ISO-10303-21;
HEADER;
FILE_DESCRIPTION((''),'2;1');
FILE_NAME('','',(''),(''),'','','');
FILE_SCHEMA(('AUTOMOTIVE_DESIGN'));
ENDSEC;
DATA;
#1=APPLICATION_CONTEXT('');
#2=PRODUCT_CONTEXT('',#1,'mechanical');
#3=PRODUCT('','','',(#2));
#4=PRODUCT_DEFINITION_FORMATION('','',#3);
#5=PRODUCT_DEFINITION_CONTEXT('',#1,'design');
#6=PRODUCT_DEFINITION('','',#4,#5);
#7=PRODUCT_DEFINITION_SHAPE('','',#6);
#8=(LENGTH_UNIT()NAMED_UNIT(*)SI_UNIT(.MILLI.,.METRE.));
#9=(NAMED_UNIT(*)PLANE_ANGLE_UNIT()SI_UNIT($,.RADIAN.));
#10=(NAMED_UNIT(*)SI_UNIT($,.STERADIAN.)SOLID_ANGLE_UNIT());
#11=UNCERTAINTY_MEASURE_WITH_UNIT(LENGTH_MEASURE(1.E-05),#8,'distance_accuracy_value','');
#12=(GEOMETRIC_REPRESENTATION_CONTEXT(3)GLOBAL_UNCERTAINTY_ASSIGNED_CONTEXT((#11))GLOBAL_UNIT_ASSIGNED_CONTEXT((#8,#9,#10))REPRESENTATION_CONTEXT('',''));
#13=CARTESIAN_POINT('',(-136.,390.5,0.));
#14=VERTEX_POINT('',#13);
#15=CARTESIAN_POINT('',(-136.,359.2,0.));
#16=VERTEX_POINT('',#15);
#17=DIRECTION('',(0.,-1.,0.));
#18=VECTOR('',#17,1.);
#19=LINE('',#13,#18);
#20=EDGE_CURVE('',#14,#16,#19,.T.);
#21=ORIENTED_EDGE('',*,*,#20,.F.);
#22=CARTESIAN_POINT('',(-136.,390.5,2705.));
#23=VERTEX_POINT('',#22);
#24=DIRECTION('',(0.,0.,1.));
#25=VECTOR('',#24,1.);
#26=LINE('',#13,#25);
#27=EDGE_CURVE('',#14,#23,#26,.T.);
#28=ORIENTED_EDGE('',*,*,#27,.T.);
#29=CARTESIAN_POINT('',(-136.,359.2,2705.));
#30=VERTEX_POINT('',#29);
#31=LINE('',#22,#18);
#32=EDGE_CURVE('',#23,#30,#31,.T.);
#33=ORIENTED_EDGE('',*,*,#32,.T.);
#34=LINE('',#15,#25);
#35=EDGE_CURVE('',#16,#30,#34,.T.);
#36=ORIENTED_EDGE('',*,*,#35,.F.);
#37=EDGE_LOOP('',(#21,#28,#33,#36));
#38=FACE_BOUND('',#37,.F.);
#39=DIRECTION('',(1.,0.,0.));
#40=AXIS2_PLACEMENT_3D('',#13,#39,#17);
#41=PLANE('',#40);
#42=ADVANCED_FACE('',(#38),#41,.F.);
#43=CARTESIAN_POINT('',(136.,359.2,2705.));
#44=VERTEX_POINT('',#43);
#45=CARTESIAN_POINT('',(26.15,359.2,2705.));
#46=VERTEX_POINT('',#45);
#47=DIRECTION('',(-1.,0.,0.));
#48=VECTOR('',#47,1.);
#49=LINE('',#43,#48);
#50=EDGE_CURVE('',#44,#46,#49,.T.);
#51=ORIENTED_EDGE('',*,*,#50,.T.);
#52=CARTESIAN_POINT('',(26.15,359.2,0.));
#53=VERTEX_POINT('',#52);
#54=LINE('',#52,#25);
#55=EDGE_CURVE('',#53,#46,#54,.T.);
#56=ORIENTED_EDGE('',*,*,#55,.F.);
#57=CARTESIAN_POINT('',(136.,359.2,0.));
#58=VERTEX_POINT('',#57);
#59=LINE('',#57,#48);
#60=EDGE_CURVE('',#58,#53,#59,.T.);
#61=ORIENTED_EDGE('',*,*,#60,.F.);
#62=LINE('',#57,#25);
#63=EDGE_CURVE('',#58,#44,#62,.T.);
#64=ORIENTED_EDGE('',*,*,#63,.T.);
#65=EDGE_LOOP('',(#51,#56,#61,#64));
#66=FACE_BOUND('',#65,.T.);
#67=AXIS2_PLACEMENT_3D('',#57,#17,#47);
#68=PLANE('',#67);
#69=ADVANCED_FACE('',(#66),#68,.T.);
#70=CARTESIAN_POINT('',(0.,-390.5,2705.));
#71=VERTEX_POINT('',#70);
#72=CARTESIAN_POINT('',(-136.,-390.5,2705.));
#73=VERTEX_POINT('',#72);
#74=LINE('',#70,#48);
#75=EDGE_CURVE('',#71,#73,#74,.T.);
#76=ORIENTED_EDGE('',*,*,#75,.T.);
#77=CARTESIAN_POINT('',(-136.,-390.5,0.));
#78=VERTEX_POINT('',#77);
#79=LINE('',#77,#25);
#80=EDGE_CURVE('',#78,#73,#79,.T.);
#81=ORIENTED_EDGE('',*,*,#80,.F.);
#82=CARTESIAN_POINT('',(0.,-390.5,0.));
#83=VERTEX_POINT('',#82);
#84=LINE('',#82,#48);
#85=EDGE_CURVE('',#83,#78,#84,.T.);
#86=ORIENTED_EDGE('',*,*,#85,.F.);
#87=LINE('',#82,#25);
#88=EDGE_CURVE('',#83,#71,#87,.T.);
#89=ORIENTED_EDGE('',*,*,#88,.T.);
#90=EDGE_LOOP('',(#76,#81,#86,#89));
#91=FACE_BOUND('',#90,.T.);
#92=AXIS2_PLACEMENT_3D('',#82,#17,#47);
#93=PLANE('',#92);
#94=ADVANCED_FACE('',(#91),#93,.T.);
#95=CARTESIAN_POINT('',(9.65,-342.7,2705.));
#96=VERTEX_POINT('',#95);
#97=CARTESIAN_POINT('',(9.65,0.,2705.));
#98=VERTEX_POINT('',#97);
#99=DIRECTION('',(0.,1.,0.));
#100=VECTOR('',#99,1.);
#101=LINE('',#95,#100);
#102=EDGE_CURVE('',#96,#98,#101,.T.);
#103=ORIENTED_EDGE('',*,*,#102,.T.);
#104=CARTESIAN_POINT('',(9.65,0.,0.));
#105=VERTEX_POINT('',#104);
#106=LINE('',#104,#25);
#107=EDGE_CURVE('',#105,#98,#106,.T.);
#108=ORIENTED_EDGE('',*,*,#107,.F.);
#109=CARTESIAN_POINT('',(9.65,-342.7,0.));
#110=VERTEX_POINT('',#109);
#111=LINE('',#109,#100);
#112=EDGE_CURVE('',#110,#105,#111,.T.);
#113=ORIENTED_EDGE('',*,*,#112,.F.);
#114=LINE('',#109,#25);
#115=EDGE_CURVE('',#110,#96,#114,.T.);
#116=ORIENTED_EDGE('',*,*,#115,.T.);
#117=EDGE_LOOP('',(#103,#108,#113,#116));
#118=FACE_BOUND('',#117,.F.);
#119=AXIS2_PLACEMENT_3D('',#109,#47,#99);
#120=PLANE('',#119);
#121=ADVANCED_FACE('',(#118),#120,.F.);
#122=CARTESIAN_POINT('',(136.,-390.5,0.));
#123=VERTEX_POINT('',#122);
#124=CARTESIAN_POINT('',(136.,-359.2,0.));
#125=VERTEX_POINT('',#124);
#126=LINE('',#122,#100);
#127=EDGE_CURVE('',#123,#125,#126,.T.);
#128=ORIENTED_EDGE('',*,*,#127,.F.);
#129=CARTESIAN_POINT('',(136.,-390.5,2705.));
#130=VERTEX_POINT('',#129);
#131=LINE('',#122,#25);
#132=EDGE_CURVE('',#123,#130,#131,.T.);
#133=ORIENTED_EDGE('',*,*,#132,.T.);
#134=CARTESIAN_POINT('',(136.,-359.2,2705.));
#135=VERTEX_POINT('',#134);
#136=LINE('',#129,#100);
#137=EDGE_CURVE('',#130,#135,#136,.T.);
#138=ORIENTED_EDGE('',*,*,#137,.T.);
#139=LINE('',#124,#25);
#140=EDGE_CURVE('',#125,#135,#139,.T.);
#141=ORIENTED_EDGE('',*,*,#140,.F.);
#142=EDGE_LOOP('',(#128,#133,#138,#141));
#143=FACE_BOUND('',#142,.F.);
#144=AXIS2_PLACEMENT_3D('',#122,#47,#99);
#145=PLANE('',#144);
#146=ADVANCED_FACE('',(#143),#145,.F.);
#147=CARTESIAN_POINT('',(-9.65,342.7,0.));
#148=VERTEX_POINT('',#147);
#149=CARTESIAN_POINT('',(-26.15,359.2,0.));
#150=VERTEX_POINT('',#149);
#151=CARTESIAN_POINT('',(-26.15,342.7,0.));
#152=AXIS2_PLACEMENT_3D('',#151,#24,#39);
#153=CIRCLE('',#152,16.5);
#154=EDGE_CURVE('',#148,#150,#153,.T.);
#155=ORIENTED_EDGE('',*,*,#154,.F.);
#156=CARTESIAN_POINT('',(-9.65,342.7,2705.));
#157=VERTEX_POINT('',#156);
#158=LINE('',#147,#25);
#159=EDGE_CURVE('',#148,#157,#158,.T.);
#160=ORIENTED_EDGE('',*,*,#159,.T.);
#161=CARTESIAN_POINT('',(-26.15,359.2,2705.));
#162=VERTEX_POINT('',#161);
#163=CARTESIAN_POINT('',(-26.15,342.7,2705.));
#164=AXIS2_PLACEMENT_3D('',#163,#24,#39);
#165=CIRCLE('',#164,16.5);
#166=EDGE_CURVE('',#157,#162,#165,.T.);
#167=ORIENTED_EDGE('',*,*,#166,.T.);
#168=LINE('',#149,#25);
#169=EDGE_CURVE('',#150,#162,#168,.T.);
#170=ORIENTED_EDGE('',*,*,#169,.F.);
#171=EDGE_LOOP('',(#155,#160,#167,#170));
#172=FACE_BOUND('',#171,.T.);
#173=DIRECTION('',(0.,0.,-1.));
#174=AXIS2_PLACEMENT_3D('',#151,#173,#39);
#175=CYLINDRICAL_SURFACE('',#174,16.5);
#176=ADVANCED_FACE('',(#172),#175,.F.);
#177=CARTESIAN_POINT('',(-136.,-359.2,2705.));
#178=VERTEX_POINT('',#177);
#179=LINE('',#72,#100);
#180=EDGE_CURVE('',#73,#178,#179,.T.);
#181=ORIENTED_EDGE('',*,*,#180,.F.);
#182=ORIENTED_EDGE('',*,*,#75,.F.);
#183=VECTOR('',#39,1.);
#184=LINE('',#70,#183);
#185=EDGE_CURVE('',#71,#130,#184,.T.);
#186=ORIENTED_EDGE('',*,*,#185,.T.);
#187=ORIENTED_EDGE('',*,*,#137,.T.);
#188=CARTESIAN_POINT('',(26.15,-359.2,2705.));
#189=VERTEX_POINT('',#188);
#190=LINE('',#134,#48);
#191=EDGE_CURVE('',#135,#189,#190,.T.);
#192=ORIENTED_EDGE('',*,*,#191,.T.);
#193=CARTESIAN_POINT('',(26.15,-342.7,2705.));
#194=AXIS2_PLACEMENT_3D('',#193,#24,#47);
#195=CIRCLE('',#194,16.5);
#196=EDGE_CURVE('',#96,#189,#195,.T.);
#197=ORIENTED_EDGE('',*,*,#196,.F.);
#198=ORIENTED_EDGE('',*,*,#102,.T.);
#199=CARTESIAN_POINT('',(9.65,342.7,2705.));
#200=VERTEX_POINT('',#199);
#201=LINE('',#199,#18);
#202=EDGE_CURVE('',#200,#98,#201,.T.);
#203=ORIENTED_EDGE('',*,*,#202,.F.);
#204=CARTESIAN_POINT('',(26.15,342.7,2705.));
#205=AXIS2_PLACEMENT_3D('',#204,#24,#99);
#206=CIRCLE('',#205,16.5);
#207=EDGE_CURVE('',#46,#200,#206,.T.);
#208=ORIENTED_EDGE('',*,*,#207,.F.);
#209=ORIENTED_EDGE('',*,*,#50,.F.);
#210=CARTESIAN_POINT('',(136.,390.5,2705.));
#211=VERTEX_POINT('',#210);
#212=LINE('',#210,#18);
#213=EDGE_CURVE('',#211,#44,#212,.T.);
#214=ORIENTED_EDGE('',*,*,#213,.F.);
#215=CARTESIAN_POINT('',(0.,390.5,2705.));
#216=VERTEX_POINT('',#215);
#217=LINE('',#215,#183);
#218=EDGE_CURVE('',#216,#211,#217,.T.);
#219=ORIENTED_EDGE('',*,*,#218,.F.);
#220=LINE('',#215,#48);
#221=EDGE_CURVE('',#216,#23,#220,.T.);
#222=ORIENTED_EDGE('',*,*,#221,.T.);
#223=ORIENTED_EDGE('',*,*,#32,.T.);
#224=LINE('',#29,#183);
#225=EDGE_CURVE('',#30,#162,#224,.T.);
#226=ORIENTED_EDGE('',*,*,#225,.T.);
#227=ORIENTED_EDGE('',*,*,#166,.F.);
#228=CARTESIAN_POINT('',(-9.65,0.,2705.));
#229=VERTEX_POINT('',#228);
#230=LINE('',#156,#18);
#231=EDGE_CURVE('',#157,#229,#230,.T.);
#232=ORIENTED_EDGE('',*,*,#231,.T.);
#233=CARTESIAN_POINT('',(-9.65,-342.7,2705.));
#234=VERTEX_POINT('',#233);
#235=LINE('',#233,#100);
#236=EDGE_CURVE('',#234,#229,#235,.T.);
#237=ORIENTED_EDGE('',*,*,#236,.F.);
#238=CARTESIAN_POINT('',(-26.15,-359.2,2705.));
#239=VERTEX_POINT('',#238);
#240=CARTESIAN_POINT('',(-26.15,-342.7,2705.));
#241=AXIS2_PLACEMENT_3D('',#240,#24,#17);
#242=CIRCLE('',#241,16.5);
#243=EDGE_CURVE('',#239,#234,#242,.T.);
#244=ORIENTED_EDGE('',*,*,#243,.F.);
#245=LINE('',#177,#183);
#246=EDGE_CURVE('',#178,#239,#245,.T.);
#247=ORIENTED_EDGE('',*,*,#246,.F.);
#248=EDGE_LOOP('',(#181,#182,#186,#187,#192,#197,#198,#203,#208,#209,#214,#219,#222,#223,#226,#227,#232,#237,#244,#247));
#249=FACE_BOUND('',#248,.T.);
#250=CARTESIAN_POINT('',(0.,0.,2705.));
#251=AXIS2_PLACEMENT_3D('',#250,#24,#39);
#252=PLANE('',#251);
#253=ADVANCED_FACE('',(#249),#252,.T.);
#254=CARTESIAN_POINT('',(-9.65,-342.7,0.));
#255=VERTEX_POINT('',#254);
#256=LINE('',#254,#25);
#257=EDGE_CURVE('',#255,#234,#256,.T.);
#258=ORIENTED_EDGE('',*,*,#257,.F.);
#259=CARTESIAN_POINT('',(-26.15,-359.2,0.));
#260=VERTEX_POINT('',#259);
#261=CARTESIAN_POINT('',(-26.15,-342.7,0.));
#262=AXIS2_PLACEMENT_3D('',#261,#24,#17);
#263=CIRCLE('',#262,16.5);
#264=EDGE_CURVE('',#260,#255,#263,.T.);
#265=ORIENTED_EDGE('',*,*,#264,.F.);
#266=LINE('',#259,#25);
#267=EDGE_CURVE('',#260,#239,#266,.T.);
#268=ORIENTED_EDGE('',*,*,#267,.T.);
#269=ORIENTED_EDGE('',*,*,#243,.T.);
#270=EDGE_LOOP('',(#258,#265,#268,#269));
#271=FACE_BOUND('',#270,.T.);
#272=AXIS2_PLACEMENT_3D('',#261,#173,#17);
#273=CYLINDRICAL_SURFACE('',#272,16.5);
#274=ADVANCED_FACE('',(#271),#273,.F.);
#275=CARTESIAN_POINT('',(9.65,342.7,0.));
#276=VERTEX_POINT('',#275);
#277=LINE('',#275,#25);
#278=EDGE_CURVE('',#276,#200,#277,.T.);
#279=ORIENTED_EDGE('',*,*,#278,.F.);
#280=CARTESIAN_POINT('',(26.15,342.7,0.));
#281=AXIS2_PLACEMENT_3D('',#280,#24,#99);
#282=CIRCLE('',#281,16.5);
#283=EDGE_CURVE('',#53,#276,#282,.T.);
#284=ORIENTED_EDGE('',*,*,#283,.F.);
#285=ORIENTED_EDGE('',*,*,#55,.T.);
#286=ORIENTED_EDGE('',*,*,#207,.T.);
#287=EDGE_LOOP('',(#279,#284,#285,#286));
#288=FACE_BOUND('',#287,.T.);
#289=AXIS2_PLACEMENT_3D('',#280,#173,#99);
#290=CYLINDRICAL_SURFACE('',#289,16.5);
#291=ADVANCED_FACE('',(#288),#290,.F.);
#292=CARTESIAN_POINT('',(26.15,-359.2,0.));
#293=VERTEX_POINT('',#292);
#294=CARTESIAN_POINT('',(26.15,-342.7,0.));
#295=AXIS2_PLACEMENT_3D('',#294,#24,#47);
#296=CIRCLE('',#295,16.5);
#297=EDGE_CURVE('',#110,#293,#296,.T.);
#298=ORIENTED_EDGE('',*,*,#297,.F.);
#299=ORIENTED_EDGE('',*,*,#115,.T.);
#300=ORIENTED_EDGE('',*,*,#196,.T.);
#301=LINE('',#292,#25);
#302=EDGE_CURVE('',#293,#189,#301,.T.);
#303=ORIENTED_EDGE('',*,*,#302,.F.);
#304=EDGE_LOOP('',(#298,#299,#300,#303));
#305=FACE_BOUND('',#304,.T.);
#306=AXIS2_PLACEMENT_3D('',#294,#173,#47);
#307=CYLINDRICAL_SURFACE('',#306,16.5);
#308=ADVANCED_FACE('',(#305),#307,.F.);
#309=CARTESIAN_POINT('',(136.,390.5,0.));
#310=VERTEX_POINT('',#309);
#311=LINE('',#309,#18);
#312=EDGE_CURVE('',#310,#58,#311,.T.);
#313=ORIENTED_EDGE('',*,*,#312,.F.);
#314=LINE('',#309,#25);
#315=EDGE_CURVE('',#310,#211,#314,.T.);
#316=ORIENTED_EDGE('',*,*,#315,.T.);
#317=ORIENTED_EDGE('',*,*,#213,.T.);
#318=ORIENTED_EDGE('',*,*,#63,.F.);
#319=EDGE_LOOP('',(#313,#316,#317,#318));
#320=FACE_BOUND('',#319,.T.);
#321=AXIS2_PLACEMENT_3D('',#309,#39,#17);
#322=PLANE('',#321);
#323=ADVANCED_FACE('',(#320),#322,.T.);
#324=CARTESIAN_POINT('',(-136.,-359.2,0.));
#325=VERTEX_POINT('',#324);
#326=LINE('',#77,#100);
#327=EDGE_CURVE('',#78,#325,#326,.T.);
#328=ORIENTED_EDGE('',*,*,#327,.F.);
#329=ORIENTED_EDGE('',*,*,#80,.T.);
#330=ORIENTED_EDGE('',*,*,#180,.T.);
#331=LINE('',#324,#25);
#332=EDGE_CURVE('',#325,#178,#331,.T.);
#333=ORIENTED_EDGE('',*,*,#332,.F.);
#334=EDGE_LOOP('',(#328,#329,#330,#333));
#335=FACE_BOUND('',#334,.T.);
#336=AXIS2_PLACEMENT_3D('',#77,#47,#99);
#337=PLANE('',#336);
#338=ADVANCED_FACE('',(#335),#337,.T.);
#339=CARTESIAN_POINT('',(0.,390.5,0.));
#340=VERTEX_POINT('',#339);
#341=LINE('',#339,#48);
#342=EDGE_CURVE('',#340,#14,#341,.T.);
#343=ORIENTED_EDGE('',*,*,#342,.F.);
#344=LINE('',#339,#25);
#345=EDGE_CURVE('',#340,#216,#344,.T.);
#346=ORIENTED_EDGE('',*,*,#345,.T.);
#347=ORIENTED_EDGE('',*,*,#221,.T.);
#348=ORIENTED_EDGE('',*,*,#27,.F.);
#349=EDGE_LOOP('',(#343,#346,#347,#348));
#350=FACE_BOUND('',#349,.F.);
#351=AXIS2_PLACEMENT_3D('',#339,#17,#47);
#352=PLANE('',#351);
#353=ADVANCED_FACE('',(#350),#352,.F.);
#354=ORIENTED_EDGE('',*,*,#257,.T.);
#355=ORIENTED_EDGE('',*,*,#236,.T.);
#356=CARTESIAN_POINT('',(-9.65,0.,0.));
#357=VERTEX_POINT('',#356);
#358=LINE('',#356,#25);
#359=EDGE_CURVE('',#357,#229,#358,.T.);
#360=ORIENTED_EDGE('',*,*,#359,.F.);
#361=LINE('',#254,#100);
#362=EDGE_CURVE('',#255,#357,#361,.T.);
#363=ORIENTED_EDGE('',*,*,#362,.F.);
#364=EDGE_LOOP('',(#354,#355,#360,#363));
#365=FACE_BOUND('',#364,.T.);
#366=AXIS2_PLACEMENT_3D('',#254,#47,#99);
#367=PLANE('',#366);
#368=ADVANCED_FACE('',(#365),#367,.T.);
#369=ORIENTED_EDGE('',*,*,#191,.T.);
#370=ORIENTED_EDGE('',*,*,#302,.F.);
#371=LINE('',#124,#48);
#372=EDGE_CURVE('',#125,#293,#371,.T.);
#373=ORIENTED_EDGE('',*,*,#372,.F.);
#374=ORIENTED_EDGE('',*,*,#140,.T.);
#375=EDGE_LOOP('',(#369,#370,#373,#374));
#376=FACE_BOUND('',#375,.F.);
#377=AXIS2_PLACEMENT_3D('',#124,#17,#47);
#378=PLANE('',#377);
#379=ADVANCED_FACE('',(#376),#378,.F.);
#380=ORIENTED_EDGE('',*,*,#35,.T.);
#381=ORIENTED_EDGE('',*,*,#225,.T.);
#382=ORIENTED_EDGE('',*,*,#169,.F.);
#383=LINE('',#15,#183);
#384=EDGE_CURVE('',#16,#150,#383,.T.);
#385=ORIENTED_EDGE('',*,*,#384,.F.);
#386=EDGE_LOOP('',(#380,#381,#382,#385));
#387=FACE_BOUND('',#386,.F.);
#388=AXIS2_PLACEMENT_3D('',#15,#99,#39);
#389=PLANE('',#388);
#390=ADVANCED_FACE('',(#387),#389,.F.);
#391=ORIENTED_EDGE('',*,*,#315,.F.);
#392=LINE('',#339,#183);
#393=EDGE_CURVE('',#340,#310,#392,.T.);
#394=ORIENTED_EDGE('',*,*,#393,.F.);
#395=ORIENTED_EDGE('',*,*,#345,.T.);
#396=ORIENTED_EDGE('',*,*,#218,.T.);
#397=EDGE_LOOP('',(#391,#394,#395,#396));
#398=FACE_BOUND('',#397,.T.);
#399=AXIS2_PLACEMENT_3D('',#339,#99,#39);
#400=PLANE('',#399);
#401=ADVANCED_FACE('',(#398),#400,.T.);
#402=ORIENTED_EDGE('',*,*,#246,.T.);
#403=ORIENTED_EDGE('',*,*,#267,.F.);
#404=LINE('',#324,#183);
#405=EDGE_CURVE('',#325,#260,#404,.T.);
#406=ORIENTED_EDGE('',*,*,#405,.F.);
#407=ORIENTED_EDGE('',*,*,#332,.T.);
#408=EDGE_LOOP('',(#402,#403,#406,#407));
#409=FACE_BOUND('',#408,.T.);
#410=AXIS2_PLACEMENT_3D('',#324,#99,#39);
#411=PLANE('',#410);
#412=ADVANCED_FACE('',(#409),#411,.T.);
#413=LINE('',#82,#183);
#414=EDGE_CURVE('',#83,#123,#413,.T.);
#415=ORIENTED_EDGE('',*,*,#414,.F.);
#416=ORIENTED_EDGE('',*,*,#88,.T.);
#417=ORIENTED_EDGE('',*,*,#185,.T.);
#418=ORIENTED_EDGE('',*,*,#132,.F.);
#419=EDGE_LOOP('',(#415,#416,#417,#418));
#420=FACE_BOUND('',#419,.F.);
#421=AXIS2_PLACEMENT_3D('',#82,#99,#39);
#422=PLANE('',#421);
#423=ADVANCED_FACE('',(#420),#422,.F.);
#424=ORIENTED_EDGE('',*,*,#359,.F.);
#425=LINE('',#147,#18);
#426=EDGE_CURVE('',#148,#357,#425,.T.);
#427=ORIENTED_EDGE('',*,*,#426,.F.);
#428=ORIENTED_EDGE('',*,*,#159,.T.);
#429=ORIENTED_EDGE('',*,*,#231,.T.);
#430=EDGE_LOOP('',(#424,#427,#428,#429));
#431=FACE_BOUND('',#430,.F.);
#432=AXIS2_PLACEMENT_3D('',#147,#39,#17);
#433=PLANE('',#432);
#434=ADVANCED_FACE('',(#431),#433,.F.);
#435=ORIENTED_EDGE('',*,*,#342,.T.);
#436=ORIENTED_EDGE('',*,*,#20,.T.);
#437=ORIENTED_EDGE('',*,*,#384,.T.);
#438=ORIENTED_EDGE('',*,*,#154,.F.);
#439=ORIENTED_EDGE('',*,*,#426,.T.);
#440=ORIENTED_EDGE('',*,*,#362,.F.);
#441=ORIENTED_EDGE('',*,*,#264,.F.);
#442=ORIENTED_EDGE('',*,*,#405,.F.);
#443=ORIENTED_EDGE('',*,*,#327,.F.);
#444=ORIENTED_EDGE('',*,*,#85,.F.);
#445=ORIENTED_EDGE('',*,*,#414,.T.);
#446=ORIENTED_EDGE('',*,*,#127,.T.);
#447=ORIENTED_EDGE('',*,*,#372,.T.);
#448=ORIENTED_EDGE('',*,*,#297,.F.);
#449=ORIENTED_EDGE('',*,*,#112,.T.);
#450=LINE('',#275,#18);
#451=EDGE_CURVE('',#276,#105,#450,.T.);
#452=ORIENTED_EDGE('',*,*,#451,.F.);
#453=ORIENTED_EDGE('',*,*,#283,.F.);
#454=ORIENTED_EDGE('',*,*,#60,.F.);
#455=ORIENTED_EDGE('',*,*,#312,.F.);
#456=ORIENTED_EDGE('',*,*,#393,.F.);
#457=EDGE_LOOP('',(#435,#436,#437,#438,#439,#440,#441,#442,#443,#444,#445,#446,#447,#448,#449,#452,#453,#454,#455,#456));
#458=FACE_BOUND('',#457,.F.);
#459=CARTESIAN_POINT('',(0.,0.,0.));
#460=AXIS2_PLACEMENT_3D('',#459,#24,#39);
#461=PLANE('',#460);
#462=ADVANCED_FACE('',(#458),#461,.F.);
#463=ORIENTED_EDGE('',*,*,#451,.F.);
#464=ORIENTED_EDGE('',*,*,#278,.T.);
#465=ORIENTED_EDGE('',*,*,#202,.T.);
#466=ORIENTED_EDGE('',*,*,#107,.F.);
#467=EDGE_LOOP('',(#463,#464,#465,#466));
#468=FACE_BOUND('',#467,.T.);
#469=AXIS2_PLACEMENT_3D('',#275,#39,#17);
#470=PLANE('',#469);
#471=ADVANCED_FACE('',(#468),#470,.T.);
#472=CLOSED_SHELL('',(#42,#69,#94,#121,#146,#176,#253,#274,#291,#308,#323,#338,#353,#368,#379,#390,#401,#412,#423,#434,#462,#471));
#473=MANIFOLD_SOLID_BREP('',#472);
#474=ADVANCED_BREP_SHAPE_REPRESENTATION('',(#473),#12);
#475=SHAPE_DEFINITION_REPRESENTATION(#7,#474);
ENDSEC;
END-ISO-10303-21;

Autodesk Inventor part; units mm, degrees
ref_plane "YZ Plane" through (0, 0, 0) normal (1, 0, 0) x (0, 1, 0)
ref_plane "Start plane" through (0, 0, 0) normal (0, 0, 1) x (1, 0, 0)
ref_plane "End plane" through (0, 0, 2705) normal (0, 0, 1) x (1, 0, 0)
sketch "Sketch" plane through (0, 0, 0) normal (0, 0, 1) x (1, 0, 0)
  line L0 (-136, -390.5) -> (-136, -359.2)
  line L1 (-136, -359.2) -> (-26.15, -359.2)
  line L2 (-9.65, -342.7) -> (-9.65, 0)
  line L3 (-9.65, 0) -> (0, 0) construction
  line L4 (0, 0) -> (0, -390.5) construction
  line L5 (0, -390.5) -> (-136, -390.5)
  line L6 (-60, 0) -> (80, 0) construction
  line L7 (0, -60) -> (0, 80) construction
  line L8 (136, -390.5) -> (136, -359.2)
  line L9 (136, -359.2) -> (26.15, -359.2)
  line L10 (9.65, -342.7) -> (9.65, 0)
  line L11 (9.65, 0) -> (0, 0) construction
  line L12 (0, -390.5) -> (136, -390.5)
  line L13 (-136, 390.5) -> (-136, 359.2)
  line L14 (-136, 359.2) -> (-26.15, 359.2)
  line L15 (-9.65, 342.7) -> (-9.65, 0)
  line L16 (0, 390.5) -> (-136, 390.5)
  line L17 (136, 390.5) -> (136, 359.2)
  line L18 (136, 359.2) -> (26.15, 359.2)
  line L19 (0, 390.5) -> (136, 390.5)
  line L20 (9.65, 342.7) -> (9.65, 0)
  arc A0 (-9.65, 342.7) -> (-26.15, 359.2) centre (-26.15, 342.7) ccw
  arc A1 (26.15, 359.2) -> (9.65, 342.7) centre (26.15, 342.7) ccw
  arc A2 (9.65, -342.7) -> (26.15, -359.2) centre (26.15, -342.7) ccw
  arc A3 (-26.15, -359.2) -> (-9.65, -342.7) centre (-26.15, -342.7) ccw
  line L21 (0, 108) -> (0, -88) construction
  line L22 (-88, 0) -> (108, 0) construction
  point P0 (-9.65, -359.2)
  point P1 (9.65, -359.2)
  point P2 (-9.65, 359.2)
  point P3 (9.65, 359.2)
  dimension "d1" = 390.5
  dimension "d2" = 31.3
  dimension "d3" = 136
  dimension "d4" = 9.65
  dimension "d10" = 16.5
extrude "Body" add sketch "Sketch" along normal up to surface (2705 mm away) from surface at 0
sketch "Sketch4" plane through (0, 0, 0) normal (0, 0, 1) x (1, 0, 0)
  line L0 (0, 0) -> (10, 0)
ref_plane "Work Plane3" through (0, 0, 0) normal (0, -1, 0) x (1, 0, 0)
sketch "Sketch5" plane through (0, 0, 0) normal (0, -1, 0) x (1, 0, 0)
  line L0 (-2, 0) -> (12, 0) projected
  line L1 (-2, 2705) -> (12, 2705) projected
  dimension "d14" = 2705
equation "\"d1\" = 0.5 * G_H"
equation "\"d2\" = G_T1"
equation "\"d3\" = 0.5 * G_W"
equation "\"d4\" = 0.5 * G_T"
equation "\"d10\" = G_IR"
equation "\"d5\" = G_L"
equation "\"G_W\" = 272"
equation "\"G_H\" = 781"
equation "\"G_T\" = 19.3"
equation "\"G_T1\" = 31.3"
equation "\"G_IR\" = 16.5"
equation "\"G_L\" = d14"
equation "\"G_OFFSET_START\" = 0"
equation "\"G_OFFSET_END\" = 0"
equation "\"d12\" = G_OFFSET_END + B_L"
equation "\"B_L\" = 2705"
properties part number "AS 3679-1990 - 760 UB - 244 - 2705" material "Steel, Mild"
